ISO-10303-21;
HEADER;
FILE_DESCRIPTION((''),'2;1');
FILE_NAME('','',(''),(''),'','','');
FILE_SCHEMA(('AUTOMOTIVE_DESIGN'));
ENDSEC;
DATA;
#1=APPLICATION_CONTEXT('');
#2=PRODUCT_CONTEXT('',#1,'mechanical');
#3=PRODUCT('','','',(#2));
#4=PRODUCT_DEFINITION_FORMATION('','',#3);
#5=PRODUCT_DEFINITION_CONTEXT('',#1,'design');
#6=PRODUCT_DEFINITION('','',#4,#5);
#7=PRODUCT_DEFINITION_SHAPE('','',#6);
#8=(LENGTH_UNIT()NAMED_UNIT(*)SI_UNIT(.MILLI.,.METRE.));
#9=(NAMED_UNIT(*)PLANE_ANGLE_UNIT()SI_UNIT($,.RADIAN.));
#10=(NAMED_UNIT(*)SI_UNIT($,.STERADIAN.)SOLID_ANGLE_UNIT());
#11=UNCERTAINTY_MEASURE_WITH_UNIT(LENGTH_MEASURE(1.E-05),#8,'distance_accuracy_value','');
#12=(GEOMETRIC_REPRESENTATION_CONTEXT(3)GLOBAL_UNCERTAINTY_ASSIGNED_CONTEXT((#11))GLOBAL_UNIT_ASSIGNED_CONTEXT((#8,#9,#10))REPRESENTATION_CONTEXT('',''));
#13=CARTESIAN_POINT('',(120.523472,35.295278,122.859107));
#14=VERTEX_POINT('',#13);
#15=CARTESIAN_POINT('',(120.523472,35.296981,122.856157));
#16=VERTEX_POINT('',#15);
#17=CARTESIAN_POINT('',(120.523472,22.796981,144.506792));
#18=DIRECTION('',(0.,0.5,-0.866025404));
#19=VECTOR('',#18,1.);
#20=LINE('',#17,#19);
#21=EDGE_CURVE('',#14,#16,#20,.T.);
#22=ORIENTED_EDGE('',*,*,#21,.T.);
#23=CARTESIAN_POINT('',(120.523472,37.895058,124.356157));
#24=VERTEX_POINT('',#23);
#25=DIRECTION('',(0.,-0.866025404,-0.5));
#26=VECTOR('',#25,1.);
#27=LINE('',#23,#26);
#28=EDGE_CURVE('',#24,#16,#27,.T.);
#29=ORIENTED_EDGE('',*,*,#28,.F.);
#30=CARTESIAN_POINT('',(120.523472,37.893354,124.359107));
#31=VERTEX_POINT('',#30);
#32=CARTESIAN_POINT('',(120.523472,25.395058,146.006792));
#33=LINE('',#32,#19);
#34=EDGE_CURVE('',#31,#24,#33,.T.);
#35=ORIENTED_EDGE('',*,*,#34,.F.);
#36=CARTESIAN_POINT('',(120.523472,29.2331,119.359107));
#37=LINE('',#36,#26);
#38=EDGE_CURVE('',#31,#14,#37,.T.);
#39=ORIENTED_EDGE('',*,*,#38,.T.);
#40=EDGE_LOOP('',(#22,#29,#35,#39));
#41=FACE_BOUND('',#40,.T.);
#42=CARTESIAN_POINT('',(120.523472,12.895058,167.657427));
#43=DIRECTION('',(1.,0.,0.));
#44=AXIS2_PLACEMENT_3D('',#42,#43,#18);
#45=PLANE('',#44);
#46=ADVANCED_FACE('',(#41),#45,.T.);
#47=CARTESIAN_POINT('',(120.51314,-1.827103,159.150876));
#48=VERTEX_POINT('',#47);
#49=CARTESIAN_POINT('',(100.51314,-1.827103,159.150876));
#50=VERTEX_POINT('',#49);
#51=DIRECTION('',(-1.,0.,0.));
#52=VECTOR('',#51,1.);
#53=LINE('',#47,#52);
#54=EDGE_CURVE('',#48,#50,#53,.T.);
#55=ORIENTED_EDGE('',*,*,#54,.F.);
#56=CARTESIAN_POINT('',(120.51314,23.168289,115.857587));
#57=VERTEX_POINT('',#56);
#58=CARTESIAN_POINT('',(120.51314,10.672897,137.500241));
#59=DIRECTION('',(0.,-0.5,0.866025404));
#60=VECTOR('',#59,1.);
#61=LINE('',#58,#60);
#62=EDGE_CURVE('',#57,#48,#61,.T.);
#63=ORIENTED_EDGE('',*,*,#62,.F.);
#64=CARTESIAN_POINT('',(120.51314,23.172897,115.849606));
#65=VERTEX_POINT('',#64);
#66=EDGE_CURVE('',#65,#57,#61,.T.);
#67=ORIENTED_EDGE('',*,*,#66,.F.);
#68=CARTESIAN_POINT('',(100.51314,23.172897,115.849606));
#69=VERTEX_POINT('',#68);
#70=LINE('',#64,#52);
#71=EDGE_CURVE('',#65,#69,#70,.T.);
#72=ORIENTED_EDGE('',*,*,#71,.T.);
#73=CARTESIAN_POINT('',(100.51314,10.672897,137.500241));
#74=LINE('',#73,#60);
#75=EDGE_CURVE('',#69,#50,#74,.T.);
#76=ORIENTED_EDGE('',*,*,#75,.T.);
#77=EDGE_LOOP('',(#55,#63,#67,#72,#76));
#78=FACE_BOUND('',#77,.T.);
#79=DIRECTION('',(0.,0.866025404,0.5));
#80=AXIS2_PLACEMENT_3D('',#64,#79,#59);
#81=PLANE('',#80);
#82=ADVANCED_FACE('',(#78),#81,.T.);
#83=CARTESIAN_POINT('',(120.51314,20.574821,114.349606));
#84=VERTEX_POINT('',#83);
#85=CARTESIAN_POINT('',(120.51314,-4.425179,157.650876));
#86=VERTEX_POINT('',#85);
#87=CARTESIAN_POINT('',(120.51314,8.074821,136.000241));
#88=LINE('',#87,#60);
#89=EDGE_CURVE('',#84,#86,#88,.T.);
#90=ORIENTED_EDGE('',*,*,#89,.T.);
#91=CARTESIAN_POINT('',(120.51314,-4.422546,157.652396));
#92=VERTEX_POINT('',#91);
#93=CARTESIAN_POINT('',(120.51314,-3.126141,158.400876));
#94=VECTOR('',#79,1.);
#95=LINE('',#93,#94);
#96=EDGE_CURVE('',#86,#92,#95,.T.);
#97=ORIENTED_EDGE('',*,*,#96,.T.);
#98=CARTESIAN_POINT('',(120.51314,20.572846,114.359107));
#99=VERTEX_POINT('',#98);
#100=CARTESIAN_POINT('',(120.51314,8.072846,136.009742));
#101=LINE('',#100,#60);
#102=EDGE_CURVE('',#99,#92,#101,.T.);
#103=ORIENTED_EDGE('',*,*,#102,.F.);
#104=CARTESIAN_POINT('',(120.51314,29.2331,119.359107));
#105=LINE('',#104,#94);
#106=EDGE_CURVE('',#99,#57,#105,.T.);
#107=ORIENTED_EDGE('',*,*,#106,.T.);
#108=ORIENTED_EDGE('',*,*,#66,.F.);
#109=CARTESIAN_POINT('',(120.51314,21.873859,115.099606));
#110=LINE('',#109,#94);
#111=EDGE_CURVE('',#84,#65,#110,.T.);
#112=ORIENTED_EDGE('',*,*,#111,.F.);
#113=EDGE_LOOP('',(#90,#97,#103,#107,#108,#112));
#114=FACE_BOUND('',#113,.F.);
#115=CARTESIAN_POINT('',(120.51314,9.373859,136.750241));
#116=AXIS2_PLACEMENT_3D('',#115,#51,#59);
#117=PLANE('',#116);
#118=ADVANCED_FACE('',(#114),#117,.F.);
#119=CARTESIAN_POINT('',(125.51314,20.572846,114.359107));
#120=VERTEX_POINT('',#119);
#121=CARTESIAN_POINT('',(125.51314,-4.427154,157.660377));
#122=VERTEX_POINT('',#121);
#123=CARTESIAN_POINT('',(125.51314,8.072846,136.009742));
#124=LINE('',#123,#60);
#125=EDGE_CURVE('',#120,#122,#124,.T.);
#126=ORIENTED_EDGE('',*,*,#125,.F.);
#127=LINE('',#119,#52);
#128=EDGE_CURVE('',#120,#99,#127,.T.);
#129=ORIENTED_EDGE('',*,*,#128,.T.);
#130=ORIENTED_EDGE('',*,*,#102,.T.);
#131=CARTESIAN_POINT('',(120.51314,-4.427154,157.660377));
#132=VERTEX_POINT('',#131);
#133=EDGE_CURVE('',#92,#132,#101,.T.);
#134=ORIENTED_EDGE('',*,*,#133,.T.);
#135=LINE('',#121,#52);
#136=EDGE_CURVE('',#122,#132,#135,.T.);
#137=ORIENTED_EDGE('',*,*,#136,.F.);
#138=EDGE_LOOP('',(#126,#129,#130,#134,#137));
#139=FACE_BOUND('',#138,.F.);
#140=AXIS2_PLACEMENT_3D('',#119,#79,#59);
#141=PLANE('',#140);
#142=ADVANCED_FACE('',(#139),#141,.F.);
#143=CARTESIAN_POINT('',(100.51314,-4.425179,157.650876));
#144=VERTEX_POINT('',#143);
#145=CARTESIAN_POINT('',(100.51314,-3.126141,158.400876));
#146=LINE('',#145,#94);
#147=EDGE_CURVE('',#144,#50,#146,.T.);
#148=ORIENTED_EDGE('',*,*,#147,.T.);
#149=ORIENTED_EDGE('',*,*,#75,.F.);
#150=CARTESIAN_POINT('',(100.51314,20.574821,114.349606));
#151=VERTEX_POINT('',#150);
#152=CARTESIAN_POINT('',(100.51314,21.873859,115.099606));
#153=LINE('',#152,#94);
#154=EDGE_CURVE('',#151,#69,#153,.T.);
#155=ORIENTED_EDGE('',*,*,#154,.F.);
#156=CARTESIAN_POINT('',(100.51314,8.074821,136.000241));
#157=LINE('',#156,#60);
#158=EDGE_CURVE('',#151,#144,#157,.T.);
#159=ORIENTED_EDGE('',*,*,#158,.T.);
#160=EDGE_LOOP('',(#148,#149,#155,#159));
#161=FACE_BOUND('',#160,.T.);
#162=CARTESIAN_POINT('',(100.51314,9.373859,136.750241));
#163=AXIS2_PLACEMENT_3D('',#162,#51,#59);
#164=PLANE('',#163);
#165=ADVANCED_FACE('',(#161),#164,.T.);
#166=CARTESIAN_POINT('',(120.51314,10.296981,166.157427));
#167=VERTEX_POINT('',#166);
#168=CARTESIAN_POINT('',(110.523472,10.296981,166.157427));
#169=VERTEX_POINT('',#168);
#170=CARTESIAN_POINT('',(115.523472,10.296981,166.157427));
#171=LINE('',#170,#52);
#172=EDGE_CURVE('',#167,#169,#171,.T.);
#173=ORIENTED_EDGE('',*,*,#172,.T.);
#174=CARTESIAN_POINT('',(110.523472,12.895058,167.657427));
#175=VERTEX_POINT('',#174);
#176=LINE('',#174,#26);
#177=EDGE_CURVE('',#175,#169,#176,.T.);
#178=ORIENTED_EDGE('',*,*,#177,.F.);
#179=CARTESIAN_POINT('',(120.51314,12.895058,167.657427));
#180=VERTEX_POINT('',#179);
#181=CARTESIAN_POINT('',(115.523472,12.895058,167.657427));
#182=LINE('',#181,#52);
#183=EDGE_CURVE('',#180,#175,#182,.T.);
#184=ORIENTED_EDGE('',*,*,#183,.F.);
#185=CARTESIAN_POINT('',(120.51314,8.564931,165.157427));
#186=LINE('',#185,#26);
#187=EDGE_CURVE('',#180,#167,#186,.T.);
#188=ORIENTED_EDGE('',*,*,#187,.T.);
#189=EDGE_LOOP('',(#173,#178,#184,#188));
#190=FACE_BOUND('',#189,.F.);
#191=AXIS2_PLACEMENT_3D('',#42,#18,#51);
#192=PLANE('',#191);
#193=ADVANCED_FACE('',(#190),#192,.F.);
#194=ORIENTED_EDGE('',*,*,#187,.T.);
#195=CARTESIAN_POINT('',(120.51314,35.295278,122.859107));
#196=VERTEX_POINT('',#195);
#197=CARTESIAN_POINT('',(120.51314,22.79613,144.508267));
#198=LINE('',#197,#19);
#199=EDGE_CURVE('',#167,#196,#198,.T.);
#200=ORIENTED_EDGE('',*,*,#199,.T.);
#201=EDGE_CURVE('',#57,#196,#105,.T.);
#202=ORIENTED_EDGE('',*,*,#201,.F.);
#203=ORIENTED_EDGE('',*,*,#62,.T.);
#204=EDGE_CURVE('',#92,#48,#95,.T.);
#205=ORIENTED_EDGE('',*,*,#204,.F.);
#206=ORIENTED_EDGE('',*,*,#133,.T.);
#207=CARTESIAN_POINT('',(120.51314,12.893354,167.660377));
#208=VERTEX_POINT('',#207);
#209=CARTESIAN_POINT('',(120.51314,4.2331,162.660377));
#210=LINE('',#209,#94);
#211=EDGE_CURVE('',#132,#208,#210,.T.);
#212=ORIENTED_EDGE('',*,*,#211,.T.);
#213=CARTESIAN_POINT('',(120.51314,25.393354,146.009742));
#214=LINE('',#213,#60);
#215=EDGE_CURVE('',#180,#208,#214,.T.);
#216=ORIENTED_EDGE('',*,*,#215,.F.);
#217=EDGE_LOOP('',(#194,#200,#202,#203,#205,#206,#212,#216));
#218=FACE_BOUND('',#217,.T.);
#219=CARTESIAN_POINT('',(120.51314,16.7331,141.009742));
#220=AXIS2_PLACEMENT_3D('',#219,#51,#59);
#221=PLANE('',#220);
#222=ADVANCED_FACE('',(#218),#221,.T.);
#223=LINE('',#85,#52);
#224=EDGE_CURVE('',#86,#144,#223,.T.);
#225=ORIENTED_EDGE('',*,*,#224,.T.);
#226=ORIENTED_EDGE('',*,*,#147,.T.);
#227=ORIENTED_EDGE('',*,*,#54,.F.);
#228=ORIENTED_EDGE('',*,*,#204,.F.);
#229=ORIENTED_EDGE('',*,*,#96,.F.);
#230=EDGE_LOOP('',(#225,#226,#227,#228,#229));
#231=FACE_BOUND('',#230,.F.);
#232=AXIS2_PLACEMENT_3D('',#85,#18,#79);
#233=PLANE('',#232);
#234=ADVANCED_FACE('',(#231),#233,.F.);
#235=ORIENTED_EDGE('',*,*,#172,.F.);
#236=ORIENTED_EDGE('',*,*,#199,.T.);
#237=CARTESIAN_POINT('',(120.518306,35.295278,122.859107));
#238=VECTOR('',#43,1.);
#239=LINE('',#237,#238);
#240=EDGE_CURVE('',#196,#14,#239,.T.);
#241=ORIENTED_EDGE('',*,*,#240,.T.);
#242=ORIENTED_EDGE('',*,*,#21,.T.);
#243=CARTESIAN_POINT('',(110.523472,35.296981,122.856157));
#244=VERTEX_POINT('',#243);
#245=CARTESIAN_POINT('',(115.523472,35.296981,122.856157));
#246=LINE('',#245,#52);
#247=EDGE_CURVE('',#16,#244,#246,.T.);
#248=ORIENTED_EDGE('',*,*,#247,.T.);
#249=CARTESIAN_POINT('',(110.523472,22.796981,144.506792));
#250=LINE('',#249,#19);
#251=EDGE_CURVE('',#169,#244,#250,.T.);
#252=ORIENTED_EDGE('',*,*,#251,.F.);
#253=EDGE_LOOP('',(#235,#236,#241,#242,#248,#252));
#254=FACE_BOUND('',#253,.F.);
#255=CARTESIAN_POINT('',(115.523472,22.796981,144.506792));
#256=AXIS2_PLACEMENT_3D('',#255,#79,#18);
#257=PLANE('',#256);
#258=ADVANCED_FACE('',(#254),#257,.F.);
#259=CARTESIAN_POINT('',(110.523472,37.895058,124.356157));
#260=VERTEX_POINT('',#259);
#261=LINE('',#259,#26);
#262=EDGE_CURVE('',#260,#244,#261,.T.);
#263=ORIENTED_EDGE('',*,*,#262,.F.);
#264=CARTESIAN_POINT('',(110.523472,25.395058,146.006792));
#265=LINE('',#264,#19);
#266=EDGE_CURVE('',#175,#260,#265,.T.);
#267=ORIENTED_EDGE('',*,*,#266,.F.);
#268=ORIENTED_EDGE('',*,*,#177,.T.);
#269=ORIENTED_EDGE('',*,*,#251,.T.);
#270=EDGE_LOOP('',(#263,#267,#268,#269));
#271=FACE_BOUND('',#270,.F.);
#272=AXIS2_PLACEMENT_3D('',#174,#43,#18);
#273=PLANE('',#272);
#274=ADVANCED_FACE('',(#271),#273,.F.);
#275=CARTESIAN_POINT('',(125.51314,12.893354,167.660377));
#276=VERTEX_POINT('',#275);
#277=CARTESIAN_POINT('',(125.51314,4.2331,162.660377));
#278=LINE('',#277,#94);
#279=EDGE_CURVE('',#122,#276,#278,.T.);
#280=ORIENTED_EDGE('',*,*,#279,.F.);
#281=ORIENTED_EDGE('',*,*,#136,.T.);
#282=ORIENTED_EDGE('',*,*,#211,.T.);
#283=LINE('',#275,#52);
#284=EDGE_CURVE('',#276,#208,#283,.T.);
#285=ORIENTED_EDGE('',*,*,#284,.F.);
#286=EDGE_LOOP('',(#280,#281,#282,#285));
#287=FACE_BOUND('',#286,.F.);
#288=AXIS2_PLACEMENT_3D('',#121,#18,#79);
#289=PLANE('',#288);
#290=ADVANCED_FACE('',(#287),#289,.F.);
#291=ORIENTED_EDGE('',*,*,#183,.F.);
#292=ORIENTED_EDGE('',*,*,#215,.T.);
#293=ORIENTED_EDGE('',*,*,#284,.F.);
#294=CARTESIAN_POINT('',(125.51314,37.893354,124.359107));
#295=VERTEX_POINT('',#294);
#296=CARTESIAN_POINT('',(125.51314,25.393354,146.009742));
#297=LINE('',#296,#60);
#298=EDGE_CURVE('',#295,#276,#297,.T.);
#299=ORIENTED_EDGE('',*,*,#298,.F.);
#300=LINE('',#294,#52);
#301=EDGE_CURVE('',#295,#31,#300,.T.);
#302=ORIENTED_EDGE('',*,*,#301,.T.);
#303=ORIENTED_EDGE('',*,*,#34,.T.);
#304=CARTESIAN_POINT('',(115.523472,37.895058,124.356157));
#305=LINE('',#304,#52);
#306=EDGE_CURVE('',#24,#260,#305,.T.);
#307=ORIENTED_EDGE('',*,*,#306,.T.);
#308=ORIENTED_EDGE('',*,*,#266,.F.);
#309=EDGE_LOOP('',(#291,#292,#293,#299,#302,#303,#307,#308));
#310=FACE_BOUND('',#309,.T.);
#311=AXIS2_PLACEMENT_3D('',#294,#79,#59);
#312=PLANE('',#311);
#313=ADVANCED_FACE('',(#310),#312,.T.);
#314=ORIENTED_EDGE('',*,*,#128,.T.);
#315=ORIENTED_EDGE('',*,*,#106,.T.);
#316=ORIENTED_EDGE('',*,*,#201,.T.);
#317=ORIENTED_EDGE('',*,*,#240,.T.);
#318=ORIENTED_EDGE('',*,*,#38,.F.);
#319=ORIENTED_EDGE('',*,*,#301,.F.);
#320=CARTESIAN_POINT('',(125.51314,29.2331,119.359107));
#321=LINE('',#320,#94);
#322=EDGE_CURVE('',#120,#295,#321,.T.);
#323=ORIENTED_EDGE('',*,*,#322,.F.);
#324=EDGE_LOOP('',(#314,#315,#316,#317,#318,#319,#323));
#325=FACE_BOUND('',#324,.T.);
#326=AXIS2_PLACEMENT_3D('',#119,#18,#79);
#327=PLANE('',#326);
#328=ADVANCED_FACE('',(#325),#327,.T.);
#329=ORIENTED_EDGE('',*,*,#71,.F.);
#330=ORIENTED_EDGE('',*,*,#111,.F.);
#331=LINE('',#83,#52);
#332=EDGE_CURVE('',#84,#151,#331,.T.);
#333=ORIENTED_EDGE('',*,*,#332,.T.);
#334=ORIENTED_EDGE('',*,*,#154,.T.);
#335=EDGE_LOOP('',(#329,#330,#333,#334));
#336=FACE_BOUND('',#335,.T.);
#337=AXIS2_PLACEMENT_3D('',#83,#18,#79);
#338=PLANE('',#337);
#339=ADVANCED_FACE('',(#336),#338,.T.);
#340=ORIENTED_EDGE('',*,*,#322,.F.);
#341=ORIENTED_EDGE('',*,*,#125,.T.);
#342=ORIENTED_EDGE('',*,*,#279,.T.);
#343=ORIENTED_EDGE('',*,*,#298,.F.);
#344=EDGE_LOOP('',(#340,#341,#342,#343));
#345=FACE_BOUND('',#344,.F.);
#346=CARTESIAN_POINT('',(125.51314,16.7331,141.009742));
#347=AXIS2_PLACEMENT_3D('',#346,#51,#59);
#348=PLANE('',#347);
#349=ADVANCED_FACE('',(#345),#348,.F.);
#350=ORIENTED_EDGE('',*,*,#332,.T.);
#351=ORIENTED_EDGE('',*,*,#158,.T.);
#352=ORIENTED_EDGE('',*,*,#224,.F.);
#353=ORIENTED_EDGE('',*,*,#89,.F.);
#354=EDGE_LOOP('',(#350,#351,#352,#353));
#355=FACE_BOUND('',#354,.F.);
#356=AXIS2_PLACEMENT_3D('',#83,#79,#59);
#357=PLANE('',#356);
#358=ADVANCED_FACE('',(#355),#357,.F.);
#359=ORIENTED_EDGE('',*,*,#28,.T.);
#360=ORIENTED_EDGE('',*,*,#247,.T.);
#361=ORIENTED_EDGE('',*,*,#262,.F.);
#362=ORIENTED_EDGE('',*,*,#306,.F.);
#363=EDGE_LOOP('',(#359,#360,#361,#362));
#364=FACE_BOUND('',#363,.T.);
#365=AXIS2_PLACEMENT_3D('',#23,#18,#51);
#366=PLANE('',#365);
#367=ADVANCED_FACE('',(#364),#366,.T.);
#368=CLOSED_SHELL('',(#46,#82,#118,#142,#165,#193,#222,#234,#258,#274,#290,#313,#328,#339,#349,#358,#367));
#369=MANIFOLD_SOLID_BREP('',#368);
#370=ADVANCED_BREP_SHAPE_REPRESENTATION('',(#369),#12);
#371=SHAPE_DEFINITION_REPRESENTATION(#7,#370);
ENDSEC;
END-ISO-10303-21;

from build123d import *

# Parameters (mm, degrees)
SKETCH066_W             = 50
SKETCH066_H             = 20
PAD065_DEPTH            = 5
SKETCH067_W             = 50
SKETCH067_H             = 3
PAD066_DEPTH            = 20
SKETCH068_W             = 50
SKETCH068_H             = 10
PAD067_DEPTH            = 3
BODY046_ROLL_ANGLE      = 90
BODY046_PITCH_ANGLE     = -60
BODY046_PLACEMENT_ANGLE = -90


with BuildPart() as part:
    # Sketch066 → Pad065 (new body)
    with BuildSketch(Plane.XY):
        with Locations((184.845276, -123.914059)):
            Rectangle(SKETCH066_W, SKETCH066_H)
    extrude(amount=PAD065_DEPTH)

    # Sketch067 (on Face6 of Pad065) → Pad066 (join)
    with BuildSketch(Plane.XY.offset(5)):
        with Locations((184.83606, -132.417099)):
            Rectangle(SKETCH067_W, SKETCH067_H)
    extrude(amount=PAD066_DEPTH)

    # Sketch068 (on Face7 of Pad066) → Pad067 (join)
    with BuildSketch(Plane(origin=(0, -113.914059, 0), x_dir=(-1, 0, 0), z_dir=(0, 1, 0))):
        with Locations((-184.841869, 9.989668)):
            Rectangle(SKETCH068_W, SKETCH068_H)
    extrude(amount=-PAD067_DEPTH)


with BuildPart() as part_1:
    # Body046 roll: moved
    add(part.part.rotate(Axis((0, 0, 0), (1, 0, 0)), BODY046_ROLL_ANGLE))


with BuildPart() as part_2:
    # Body046 pitch: moved
    add(part_1.part.rotate(Axis((0, 0, 0), (0, 1, 0)), BODY046_PITCH_ANGLE))


with BuildPart() as part_3:
    # Body046 placement: moved
    add(part_2.part.moved(Location((125.51314, 216.468461, 42.886067))).rotate(Axis((125.51314, 216.468461, 42.886067), (0, 0, 1)), BODY046_PLACEMENT_ANGLE))


solid = part_3.part
